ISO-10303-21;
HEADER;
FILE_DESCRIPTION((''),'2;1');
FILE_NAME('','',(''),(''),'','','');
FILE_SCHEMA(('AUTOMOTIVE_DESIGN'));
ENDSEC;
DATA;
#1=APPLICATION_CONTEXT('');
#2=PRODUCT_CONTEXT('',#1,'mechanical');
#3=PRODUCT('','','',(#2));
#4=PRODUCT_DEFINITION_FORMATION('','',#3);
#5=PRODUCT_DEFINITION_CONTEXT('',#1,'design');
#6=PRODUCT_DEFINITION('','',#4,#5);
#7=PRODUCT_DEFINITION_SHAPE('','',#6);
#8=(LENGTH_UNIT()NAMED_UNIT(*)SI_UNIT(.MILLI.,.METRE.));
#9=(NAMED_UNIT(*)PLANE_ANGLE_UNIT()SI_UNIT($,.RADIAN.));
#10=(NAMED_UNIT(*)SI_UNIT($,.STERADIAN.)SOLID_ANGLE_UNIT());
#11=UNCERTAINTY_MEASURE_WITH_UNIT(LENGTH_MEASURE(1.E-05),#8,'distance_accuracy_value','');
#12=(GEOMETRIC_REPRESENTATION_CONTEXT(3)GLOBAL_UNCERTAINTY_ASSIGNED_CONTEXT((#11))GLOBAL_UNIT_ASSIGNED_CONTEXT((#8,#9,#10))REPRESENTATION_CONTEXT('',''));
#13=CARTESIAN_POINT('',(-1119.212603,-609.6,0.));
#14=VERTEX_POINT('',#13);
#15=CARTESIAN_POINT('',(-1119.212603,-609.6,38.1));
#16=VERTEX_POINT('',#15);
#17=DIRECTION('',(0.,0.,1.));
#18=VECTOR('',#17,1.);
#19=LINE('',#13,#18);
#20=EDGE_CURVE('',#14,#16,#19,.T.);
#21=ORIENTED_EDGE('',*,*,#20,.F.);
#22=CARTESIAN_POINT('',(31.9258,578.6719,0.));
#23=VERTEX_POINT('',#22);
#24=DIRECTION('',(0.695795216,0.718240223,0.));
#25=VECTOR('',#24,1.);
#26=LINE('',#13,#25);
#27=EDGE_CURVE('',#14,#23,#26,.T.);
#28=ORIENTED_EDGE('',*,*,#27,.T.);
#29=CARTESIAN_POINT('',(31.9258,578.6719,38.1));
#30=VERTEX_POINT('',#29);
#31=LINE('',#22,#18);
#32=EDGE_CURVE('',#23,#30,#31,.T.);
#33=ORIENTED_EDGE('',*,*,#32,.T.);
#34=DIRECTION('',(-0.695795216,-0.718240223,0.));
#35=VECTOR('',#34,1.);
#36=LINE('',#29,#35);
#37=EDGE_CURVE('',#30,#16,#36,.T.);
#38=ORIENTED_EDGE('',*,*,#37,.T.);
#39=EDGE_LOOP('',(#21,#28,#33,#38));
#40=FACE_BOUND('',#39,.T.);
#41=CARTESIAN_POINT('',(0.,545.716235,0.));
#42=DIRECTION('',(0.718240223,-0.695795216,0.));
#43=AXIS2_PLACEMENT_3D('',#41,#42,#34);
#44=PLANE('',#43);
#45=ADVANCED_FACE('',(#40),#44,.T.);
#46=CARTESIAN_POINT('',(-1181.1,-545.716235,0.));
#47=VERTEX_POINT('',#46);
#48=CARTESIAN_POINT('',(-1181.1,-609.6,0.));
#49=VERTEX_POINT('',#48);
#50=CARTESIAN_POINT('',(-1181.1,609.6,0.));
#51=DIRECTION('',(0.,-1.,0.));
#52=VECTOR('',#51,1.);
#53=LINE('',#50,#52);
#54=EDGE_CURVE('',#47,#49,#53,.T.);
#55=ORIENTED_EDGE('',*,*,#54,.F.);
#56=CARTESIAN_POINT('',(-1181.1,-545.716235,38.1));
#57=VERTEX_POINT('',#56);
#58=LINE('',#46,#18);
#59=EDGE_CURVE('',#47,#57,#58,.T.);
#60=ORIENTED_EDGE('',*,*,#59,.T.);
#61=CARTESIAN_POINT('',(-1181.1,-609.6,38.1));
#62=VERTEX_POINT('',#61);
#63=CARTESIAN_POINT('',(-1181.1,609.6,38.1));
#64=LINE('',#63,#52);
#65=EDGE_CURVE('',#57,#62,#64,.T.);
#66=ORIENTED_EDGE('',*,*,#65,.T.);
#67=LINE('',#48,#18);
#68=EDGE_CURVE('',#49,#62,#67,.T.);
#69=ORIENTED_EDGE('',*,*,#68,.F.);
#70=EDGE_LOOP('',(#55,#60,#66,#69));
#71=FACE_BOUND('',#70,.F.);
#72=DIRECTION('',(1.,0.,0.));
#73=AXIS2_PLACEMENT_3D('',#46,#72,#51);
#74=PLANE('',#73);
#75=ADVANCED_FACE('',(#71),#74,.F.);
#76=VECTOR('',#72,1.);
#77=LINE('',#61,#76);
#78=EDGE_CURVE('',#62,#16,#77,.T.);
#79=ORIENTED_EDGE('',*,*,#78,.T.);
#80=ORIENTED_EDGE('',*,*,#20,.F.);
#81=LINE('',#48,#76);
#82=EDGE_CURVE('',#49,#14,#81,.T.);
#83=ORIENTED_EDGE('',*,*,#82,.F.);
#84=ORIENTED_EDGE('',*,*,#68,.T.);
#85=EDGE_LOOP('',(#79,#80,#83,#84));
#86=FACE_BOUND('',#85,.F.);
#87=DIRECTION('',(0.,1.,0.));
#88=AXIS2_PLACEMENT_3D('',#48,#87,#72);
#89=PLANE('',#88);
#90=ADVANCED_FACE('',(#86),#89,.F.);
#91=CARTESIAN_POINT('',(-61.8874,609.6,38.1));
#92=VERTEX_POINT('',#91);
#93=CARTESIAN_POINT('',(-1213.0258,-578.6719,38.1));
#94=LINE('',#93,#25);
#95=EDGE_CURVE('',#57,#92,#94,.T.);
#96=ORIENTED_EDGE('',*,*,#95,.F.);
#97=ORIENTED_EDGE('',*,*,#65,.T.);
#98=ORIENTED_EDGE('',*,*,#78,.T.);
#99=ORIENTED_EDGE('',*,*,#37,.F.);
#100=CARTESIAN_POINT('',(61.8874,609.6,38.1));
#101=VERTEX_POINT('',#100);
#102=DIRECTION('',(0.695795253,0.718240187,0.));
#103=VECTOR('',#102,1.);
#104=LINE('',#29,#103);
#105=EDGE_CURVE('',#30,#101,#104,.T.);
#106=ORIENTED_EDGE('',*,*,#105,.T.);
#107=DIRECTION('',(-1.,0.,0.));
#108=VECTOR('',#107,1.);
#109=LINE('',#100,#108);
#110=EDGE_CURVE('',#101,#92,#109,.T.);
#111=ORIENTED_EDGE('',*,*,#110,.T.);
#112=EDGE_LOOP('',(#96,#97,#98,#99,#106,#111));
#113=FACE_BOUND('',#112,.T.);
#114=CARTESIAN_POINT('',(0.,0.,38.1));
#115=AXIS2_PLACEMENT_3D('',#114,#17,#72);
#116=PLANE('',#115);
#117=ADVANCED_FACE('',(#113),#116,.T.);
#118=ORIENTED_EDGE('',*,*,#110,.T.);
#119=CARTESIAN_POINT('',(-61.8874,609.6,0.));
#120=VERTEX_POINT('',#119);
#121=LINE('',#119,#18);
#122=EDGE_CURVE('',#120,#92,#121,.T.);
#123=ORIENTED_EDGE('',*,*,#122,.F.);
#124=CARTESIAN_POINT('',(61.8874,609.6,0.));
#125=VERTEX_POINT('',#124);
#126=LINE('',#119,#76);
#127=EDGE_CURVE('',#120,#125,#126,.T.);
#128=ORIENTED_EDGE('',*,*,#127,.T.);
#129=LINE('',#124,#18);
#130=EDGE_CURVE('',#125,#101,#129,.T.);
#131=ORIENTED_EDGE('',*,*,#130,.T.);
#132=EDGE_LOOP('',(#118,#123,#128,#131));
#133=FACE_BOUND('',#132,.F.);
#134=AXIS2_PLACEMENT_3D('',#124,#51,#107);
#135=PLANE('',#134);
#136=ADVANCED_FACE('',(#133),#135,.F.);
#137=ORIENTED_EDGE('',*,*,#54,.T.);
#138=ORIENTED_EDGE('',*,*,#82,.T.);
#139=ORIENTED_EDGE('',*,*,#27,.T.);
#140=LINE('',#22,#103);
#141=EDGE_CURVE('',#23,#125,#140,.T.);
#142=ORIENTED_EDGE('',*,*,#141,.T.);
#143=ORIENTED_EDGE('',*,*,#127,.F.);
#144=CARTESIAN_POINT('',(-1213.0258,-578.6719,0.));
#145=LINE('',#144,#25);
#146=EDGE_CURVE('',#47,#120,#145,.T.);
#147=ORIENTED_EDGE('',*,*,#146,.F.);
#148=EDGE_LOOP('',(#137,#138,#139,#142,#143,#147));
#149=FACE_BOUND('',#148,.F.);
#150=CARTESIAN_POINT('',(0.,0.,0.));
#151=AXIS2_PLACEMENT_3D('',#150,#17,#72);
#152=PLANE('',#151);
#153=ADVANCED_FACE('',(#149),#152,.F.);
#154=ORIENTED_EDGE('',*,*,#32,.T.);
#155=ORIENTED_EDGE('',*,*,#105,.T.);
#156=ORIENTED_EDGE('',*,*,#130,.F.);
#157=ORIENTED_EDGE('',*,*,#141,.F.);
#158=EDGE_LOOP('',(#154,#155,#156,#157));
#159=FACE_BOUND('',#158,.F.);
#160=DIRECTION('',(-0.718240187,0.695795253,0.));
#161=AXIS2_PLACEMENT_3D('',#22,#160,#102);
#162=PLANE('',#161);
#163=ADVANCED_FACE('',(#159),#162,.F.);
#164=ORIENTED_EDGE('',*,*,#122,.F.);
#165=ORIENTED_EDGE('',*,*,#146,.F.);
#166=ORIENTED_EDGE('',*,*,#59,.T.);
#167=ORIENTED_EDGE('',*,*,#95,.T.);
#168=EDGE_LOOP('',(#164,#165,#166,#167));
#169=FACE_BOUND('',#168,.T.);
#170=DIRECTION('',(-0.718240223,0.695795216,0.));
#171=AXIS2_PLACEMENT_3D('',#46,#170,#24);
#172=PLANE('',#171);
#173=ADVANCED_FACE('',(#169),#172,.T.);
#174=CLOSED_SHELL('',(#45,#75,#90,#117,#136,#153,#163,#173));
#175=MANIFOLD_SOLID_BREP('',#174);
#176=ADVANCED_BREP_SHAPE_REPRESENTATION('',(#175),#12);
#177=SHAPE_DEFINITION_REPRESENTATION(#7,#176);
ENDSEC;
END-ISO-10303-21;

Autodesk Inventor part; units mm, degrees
ref_plane "YZ Plane" through (0, 0, 0) normal (1, 0, 0) x (0, 1, 0)
ref_plane "XZ Plane" through (0, 0, 0) normal (0, 1, 0) x (-1, 0, 0)
ref_plane "XY Plane" through (0, 0, 0) normal (0, 0, 1) x (1, 0, 0)
sketch "Sketch1" plane through (0, 0, 0) normal (0, 0, 1) x (1, 0, 0)
  line L0 (-1181.1, -609.6) -> (1181.1, -609.6)
  line L1 (1181.1, -609.6) -> (1181.1, 609.6)
  line L2 (1181.1, 609.6) -> (-1181.1, 609.6)
  line L3 (-1181.1, 609.6) -> (-1181.1, -609.6)
  line L4 (-1181.1, -609.6) -> (1181.1, 609.6) construction
  line L5 (1181.1, -609.6) -> (-1181.1, 609.6) construction
  line L6 (0, 609.6) -> (0, -609.6)
  line L7 (0, 609.6) -> (1181.1, -609.6)
  line L8 (-31.9258, 578.6719) -> (31.9258, 640.5281)
  line L9 (1149.1742, -640.5281) -> (1213.0258, -578.6719)
  line L10 (-31.9258, 578.6719) -> (1149.1742, -640.5281)
  line L11 (1213.0258, -578.6719) -> (31.9258, 640.5281)
  line L12 (-31.9258, 578.6719) -> (-61.8874, 609.6)
  line L13 (1181.1, -609.6) -> (-1181.1, 609.6) construction
  line L14 (0, 609.6) -> (-1181.1, -609.6)
  line L15 (31.9258, 578.6719) -> (-31.9258, 640.5281)
  line L16 (-1149.1742, -640.5281) -> (-1213.0258, -578.6719)
  line L17 (31.9258, 578.6719) -> (-1149.1742, -640.5281)
  line L18 (-1213.0258, -578.6719) -> (-31.9258, 640.5281)
  line L19 (31.9258, 578.6719) -> (61.8874, 609.6)
  point P0 (0, 0)
  point P1 (-1181.1, -545.7163)
  point P2 (-1119.2126, -609.6)
  point P3 (61.8874, 609.6)
  dimension "d0" = 2362.2
  dimension "d1" = 1219.2
  dimension "d3" = 88.9
  dimension "d4" = 88.9
extrude "Extrusion1" add sketch "Sketch1" along normal blind 38.1 contours L14 L10 L17 L0 | L3 L18 L12 L10 L14 | L14 L6 L10 | L10 L8 L14 | L6 L7 L17 | L2 L8 L12 | L15 L17 L7 | L2 L19 L15
properties part number "S_2x4x68.525"
